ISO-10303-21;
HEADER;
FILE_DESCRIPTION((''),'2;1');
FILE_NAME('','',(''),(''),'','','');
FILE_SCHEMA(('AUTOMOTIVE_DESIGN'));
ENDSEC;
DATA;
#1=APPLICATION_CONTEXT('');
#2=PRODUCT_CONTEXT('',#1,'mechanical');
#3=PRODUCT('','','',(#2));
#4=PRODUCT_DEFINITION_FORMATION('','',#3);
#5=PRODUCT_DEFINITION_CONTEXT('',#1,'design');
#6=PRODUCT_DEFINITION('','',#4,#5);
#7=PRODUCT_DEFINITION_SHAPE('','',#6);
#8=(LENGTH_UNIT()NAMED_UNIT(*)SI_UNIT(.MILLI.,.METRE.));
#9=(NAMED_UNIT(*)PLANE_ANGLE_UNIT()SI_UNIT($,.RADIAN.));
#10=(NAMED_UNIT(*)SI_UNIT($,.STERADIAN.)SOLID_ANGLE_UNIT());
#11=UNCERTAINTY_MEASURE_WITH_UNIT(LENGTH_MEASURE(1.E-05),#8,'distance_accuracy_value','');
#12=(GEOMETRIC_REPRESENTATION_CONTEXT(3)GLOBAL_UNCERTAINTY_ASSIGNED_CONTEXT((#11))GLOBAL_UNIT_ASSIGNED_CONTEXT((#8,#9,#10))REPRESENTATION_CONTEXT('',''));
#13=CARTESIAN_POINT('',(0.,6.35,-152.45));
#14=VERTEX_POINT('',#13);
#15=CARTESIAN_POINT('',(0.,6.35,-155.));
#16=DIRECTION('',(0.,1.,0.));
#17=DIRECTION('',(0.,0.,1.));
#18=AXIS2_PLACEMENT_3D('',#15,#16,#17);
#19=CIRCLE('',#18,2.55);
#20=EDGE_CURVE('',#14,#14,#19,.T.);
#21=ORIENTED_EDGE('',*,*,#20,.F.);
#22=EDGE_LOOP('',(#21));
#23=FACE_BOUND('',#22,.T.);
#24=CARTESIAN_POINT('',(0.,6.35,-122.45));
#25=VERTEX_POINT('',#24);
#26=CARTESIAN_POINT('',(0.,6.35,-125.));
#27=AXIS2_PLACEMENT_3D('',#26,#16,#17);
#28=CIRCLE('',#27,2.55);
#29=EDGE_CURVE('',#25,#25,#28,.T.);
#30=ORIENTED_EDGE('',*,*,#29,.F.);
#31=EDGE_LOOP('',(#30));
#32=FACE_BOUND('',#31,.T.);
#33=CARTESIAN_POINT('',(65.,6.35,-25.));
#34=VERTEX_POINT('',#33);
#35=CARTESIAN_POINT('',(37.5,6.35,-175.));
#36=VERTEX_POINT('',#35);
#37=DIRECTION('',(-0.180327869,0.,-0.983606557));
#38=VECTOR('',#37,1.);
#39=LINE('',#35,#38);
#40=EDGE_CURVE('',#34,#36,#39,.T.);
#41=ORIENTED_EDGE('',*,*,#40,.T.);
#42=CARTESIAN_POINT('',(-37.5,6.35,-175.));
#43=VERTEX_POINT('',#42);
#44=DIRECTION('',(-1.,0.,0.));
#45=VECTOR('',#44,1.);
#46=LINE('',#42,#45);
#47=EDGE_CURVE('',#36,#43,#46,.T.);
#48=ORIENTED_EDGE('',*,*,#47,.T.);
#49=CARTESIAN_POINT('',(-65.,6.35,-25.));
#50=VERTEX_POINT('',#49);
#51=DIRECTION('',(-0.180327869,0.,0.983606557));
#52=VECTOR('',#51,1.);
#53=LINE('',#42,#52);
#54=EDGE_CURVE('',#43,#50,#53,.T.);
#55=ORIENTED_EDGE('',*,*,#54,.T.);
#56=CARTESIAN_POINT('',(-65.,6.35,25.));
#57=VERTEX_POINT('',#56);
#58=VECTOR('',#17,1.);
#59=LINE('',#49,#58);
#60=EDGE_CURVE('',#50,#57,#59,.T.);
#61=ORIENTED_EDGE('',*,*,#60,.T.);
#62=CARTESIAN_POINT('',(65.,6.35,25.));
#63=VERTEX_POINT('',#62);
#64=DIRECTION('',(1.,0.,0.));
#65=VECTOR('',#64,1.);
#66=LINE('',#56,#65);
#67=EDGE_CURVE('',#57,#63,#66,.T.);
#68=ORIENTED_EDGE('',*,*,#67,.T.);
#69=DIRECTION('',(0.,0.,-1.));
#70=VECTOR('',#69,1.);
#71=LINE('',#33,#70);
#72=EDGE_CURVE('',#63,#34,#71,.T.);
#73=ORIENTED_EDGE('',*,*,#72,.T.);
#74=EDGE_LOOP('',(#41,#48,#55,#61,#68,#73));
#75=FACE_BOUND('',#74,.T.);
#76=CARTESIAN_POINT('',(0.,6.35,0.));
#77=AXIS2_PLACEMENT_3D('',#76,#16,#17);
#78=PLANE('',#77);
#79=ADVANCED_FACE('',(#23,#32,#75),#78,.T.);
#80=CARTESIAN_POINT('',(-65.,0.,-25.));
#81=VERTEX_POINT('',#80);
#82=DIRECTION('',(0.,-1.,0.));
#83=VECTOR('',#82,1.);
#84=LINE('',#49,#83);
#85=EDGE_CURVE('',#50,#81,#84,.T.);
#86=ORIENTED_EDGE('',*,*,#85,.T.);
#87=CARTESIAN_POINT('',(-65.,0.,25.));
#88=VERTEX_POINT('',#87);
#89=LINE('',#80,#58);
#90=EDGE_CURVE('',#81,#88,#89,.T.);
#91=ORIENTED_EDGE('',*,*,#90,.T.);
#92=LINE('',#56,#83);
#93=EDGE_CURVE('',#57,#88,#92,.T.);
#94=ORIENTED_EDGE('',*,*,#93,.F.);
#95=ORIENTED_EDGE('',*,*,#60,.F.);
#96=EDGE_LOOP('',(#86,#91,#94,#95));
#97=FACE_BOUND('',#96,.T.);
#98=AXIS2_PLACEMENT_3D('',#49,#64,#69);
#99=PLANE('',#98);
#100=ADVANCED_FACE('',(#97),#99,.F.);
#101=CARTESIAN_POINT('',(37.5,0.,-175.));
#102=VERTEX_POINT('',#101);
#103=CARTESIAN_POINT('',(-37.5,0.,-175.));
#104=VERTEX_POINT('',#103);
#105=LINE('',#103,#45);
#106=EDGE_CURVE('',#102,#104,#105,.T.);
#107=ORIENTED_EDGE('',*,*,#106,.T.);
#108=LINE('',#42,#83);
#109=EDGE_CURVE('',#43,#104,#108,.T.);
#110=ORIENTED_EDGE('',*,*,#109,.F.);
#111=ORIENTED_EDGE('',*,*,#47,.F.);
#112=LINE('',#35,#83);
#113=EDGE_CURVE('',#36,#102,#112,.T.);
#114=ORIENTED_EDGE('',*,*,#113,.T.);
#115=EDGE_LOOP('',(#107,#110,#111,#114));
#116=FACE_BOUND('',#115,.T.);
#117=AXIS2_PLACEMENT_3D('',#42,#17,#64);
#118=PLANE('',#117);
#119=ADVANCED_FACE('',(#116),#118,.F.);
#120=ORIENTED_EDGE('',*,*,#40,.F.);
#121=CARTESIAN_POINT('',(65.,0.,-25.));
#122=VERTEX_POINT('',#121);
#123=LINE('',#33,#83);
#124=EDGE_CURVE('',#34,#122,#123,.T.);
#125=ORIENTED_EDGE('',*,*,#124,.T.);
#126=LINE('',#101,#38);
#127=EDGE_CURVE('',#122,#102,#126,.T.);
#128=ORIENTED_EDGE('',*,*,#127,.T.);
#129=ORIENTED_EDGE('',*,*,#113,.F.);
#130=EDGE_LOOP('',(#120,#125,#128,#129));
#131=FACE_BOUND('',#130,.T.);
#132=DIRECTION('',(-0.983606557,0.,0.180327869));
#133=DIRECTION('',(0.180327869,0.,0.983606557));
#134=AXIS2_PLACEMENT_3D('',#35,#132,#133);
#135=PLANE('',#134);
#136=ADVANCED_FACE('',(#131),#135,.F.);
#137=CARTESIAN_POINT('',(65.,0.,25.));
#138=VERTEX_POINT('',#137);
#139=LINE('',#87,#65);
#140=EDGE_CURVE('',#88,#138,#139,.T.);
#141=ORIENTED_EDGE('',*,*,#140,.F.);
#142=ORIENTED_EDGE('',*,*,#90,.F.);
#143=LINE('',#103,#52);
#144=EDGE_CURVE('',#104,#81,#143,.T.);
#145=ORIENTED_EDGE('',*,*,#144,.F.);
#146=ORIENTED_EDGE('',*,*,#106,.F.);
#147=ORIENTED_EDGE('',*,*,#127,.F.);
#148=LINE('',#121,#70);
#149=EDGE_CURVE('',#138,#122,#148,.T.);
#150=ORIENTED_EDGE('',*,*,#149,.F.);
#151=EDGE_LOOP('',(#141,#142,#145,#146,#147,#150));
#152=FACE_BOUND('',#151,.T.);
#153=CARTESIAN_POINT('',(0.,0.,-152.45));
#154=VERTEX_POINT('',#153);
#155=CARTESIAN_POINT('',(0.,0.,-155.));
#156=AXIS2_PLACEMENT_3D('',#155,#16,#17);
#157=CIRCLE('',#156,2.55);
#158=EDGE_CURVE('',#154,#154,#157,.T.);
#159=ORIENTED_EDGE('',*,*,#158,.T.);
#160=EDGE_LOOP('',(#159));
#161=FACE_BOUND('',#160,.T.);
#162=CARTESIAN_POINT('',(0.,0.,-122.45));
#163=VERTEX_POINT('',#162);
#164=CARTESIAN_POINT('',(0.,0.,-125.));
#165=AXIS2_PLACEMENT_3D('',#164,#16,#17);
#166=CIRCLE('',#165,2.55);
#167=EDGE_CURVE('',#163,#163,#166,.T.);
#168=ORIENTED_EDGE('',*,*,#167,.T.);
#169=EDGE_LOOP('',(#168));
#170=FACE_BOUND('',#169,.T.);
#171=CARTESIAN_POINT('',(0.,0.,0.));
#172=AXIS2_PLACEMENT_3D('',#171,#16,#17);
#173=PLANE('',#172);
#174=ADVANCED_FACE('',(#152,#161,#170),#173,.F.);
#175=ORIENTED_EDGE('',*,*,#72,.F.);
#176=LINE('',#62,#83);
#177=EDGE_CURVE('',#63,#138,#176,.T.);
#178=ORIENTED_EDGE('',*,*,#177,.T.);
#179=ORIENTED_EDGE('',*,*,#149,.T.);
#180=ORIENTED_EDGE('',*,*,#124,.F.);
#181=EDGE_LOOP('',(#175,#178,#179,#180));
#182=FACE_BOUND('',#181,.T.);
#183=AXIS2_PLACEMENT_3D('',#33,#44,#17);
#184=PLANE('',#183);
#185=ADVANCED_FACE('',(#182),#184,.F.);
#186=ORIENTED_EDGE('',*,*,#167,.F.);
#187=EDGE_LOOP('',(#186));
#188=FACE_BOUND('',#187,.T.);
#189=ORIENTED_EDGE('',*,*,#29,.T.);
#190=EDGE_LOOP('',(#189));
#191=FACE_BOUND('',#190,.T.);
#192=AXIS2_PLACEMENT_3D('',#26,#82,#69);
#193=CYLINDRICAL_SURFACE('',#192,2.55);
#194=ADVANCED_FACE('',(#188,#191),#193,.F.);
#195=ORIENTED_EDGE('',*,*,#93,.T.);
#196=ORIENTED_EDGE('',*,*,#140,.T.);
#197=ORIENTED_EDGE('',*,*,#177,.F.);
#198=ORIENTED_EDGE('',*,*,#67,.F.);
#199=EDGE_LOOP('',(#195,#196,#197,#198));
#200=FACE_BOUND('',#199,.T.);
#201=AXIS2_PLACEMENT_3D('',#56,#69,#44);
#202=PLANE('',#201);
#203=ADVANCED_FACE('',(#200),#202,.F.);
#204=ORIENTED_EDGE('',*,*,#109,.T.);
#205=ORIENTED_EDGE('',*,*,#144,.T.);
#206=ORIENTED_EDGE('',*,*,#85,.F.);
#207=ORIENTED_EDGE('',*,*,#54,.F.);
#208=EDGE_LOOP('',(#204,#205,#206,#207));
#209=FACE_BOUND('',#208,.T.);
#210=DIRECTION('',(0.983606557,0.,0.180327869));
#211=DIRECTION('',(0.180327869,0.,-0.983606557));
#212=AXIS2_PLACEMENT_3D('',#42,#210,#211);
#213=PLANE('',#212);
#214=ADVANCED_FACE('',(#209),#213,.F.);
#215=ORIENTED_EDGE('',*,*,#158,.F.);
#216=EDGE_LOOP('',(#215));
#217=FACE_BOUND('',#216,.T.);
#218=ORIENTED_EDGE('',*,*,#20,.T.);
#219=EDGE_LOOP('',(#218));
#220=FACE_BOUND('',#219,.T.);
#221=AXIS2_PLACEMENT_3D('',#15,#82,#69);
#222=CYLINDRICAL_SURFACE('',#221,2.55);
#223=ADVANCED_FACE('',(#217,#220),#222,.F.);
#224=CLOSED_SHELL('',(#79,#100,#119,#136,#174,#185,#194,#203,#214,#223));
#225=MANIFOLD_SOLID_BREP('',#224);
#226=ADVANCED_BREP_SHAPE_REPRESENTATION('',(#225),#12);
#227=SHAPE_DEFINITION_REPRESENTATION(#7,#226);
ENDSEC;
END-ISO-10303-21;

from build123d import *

# Parameters (mm, degrees)
SKETCH1_R           = 2.55
BOSS_EXTRUDE1_DEPTH = 6.35


with BuildPart() as part:
    # Sketch1 → Boss-Extrude1 (new body)
    with BuildSketch(Plane(origin=(0, 0, 0), x_dir=(1, 0, 0), z_dir=(0, 1, 0))):
        Polygon((-37.5, 175), (37.5, 175), (65, 25), (65, -25), (-65, -25), (-65, 25), align=None)
        with Locations(Location((0, 155, 0), (0, 0, 270))):
            Circle(SKETCH1_R, mode=Mode.SUBTRACT)
        with Locations(Location((0, 125, 0), (0, 0, 270))):
            Circle(SKETCH1_R, mode=Mode.SUBTRACT)
    extrude(amount=BOSS_EXTRUDE1_DEPTH)


solid = part.part
